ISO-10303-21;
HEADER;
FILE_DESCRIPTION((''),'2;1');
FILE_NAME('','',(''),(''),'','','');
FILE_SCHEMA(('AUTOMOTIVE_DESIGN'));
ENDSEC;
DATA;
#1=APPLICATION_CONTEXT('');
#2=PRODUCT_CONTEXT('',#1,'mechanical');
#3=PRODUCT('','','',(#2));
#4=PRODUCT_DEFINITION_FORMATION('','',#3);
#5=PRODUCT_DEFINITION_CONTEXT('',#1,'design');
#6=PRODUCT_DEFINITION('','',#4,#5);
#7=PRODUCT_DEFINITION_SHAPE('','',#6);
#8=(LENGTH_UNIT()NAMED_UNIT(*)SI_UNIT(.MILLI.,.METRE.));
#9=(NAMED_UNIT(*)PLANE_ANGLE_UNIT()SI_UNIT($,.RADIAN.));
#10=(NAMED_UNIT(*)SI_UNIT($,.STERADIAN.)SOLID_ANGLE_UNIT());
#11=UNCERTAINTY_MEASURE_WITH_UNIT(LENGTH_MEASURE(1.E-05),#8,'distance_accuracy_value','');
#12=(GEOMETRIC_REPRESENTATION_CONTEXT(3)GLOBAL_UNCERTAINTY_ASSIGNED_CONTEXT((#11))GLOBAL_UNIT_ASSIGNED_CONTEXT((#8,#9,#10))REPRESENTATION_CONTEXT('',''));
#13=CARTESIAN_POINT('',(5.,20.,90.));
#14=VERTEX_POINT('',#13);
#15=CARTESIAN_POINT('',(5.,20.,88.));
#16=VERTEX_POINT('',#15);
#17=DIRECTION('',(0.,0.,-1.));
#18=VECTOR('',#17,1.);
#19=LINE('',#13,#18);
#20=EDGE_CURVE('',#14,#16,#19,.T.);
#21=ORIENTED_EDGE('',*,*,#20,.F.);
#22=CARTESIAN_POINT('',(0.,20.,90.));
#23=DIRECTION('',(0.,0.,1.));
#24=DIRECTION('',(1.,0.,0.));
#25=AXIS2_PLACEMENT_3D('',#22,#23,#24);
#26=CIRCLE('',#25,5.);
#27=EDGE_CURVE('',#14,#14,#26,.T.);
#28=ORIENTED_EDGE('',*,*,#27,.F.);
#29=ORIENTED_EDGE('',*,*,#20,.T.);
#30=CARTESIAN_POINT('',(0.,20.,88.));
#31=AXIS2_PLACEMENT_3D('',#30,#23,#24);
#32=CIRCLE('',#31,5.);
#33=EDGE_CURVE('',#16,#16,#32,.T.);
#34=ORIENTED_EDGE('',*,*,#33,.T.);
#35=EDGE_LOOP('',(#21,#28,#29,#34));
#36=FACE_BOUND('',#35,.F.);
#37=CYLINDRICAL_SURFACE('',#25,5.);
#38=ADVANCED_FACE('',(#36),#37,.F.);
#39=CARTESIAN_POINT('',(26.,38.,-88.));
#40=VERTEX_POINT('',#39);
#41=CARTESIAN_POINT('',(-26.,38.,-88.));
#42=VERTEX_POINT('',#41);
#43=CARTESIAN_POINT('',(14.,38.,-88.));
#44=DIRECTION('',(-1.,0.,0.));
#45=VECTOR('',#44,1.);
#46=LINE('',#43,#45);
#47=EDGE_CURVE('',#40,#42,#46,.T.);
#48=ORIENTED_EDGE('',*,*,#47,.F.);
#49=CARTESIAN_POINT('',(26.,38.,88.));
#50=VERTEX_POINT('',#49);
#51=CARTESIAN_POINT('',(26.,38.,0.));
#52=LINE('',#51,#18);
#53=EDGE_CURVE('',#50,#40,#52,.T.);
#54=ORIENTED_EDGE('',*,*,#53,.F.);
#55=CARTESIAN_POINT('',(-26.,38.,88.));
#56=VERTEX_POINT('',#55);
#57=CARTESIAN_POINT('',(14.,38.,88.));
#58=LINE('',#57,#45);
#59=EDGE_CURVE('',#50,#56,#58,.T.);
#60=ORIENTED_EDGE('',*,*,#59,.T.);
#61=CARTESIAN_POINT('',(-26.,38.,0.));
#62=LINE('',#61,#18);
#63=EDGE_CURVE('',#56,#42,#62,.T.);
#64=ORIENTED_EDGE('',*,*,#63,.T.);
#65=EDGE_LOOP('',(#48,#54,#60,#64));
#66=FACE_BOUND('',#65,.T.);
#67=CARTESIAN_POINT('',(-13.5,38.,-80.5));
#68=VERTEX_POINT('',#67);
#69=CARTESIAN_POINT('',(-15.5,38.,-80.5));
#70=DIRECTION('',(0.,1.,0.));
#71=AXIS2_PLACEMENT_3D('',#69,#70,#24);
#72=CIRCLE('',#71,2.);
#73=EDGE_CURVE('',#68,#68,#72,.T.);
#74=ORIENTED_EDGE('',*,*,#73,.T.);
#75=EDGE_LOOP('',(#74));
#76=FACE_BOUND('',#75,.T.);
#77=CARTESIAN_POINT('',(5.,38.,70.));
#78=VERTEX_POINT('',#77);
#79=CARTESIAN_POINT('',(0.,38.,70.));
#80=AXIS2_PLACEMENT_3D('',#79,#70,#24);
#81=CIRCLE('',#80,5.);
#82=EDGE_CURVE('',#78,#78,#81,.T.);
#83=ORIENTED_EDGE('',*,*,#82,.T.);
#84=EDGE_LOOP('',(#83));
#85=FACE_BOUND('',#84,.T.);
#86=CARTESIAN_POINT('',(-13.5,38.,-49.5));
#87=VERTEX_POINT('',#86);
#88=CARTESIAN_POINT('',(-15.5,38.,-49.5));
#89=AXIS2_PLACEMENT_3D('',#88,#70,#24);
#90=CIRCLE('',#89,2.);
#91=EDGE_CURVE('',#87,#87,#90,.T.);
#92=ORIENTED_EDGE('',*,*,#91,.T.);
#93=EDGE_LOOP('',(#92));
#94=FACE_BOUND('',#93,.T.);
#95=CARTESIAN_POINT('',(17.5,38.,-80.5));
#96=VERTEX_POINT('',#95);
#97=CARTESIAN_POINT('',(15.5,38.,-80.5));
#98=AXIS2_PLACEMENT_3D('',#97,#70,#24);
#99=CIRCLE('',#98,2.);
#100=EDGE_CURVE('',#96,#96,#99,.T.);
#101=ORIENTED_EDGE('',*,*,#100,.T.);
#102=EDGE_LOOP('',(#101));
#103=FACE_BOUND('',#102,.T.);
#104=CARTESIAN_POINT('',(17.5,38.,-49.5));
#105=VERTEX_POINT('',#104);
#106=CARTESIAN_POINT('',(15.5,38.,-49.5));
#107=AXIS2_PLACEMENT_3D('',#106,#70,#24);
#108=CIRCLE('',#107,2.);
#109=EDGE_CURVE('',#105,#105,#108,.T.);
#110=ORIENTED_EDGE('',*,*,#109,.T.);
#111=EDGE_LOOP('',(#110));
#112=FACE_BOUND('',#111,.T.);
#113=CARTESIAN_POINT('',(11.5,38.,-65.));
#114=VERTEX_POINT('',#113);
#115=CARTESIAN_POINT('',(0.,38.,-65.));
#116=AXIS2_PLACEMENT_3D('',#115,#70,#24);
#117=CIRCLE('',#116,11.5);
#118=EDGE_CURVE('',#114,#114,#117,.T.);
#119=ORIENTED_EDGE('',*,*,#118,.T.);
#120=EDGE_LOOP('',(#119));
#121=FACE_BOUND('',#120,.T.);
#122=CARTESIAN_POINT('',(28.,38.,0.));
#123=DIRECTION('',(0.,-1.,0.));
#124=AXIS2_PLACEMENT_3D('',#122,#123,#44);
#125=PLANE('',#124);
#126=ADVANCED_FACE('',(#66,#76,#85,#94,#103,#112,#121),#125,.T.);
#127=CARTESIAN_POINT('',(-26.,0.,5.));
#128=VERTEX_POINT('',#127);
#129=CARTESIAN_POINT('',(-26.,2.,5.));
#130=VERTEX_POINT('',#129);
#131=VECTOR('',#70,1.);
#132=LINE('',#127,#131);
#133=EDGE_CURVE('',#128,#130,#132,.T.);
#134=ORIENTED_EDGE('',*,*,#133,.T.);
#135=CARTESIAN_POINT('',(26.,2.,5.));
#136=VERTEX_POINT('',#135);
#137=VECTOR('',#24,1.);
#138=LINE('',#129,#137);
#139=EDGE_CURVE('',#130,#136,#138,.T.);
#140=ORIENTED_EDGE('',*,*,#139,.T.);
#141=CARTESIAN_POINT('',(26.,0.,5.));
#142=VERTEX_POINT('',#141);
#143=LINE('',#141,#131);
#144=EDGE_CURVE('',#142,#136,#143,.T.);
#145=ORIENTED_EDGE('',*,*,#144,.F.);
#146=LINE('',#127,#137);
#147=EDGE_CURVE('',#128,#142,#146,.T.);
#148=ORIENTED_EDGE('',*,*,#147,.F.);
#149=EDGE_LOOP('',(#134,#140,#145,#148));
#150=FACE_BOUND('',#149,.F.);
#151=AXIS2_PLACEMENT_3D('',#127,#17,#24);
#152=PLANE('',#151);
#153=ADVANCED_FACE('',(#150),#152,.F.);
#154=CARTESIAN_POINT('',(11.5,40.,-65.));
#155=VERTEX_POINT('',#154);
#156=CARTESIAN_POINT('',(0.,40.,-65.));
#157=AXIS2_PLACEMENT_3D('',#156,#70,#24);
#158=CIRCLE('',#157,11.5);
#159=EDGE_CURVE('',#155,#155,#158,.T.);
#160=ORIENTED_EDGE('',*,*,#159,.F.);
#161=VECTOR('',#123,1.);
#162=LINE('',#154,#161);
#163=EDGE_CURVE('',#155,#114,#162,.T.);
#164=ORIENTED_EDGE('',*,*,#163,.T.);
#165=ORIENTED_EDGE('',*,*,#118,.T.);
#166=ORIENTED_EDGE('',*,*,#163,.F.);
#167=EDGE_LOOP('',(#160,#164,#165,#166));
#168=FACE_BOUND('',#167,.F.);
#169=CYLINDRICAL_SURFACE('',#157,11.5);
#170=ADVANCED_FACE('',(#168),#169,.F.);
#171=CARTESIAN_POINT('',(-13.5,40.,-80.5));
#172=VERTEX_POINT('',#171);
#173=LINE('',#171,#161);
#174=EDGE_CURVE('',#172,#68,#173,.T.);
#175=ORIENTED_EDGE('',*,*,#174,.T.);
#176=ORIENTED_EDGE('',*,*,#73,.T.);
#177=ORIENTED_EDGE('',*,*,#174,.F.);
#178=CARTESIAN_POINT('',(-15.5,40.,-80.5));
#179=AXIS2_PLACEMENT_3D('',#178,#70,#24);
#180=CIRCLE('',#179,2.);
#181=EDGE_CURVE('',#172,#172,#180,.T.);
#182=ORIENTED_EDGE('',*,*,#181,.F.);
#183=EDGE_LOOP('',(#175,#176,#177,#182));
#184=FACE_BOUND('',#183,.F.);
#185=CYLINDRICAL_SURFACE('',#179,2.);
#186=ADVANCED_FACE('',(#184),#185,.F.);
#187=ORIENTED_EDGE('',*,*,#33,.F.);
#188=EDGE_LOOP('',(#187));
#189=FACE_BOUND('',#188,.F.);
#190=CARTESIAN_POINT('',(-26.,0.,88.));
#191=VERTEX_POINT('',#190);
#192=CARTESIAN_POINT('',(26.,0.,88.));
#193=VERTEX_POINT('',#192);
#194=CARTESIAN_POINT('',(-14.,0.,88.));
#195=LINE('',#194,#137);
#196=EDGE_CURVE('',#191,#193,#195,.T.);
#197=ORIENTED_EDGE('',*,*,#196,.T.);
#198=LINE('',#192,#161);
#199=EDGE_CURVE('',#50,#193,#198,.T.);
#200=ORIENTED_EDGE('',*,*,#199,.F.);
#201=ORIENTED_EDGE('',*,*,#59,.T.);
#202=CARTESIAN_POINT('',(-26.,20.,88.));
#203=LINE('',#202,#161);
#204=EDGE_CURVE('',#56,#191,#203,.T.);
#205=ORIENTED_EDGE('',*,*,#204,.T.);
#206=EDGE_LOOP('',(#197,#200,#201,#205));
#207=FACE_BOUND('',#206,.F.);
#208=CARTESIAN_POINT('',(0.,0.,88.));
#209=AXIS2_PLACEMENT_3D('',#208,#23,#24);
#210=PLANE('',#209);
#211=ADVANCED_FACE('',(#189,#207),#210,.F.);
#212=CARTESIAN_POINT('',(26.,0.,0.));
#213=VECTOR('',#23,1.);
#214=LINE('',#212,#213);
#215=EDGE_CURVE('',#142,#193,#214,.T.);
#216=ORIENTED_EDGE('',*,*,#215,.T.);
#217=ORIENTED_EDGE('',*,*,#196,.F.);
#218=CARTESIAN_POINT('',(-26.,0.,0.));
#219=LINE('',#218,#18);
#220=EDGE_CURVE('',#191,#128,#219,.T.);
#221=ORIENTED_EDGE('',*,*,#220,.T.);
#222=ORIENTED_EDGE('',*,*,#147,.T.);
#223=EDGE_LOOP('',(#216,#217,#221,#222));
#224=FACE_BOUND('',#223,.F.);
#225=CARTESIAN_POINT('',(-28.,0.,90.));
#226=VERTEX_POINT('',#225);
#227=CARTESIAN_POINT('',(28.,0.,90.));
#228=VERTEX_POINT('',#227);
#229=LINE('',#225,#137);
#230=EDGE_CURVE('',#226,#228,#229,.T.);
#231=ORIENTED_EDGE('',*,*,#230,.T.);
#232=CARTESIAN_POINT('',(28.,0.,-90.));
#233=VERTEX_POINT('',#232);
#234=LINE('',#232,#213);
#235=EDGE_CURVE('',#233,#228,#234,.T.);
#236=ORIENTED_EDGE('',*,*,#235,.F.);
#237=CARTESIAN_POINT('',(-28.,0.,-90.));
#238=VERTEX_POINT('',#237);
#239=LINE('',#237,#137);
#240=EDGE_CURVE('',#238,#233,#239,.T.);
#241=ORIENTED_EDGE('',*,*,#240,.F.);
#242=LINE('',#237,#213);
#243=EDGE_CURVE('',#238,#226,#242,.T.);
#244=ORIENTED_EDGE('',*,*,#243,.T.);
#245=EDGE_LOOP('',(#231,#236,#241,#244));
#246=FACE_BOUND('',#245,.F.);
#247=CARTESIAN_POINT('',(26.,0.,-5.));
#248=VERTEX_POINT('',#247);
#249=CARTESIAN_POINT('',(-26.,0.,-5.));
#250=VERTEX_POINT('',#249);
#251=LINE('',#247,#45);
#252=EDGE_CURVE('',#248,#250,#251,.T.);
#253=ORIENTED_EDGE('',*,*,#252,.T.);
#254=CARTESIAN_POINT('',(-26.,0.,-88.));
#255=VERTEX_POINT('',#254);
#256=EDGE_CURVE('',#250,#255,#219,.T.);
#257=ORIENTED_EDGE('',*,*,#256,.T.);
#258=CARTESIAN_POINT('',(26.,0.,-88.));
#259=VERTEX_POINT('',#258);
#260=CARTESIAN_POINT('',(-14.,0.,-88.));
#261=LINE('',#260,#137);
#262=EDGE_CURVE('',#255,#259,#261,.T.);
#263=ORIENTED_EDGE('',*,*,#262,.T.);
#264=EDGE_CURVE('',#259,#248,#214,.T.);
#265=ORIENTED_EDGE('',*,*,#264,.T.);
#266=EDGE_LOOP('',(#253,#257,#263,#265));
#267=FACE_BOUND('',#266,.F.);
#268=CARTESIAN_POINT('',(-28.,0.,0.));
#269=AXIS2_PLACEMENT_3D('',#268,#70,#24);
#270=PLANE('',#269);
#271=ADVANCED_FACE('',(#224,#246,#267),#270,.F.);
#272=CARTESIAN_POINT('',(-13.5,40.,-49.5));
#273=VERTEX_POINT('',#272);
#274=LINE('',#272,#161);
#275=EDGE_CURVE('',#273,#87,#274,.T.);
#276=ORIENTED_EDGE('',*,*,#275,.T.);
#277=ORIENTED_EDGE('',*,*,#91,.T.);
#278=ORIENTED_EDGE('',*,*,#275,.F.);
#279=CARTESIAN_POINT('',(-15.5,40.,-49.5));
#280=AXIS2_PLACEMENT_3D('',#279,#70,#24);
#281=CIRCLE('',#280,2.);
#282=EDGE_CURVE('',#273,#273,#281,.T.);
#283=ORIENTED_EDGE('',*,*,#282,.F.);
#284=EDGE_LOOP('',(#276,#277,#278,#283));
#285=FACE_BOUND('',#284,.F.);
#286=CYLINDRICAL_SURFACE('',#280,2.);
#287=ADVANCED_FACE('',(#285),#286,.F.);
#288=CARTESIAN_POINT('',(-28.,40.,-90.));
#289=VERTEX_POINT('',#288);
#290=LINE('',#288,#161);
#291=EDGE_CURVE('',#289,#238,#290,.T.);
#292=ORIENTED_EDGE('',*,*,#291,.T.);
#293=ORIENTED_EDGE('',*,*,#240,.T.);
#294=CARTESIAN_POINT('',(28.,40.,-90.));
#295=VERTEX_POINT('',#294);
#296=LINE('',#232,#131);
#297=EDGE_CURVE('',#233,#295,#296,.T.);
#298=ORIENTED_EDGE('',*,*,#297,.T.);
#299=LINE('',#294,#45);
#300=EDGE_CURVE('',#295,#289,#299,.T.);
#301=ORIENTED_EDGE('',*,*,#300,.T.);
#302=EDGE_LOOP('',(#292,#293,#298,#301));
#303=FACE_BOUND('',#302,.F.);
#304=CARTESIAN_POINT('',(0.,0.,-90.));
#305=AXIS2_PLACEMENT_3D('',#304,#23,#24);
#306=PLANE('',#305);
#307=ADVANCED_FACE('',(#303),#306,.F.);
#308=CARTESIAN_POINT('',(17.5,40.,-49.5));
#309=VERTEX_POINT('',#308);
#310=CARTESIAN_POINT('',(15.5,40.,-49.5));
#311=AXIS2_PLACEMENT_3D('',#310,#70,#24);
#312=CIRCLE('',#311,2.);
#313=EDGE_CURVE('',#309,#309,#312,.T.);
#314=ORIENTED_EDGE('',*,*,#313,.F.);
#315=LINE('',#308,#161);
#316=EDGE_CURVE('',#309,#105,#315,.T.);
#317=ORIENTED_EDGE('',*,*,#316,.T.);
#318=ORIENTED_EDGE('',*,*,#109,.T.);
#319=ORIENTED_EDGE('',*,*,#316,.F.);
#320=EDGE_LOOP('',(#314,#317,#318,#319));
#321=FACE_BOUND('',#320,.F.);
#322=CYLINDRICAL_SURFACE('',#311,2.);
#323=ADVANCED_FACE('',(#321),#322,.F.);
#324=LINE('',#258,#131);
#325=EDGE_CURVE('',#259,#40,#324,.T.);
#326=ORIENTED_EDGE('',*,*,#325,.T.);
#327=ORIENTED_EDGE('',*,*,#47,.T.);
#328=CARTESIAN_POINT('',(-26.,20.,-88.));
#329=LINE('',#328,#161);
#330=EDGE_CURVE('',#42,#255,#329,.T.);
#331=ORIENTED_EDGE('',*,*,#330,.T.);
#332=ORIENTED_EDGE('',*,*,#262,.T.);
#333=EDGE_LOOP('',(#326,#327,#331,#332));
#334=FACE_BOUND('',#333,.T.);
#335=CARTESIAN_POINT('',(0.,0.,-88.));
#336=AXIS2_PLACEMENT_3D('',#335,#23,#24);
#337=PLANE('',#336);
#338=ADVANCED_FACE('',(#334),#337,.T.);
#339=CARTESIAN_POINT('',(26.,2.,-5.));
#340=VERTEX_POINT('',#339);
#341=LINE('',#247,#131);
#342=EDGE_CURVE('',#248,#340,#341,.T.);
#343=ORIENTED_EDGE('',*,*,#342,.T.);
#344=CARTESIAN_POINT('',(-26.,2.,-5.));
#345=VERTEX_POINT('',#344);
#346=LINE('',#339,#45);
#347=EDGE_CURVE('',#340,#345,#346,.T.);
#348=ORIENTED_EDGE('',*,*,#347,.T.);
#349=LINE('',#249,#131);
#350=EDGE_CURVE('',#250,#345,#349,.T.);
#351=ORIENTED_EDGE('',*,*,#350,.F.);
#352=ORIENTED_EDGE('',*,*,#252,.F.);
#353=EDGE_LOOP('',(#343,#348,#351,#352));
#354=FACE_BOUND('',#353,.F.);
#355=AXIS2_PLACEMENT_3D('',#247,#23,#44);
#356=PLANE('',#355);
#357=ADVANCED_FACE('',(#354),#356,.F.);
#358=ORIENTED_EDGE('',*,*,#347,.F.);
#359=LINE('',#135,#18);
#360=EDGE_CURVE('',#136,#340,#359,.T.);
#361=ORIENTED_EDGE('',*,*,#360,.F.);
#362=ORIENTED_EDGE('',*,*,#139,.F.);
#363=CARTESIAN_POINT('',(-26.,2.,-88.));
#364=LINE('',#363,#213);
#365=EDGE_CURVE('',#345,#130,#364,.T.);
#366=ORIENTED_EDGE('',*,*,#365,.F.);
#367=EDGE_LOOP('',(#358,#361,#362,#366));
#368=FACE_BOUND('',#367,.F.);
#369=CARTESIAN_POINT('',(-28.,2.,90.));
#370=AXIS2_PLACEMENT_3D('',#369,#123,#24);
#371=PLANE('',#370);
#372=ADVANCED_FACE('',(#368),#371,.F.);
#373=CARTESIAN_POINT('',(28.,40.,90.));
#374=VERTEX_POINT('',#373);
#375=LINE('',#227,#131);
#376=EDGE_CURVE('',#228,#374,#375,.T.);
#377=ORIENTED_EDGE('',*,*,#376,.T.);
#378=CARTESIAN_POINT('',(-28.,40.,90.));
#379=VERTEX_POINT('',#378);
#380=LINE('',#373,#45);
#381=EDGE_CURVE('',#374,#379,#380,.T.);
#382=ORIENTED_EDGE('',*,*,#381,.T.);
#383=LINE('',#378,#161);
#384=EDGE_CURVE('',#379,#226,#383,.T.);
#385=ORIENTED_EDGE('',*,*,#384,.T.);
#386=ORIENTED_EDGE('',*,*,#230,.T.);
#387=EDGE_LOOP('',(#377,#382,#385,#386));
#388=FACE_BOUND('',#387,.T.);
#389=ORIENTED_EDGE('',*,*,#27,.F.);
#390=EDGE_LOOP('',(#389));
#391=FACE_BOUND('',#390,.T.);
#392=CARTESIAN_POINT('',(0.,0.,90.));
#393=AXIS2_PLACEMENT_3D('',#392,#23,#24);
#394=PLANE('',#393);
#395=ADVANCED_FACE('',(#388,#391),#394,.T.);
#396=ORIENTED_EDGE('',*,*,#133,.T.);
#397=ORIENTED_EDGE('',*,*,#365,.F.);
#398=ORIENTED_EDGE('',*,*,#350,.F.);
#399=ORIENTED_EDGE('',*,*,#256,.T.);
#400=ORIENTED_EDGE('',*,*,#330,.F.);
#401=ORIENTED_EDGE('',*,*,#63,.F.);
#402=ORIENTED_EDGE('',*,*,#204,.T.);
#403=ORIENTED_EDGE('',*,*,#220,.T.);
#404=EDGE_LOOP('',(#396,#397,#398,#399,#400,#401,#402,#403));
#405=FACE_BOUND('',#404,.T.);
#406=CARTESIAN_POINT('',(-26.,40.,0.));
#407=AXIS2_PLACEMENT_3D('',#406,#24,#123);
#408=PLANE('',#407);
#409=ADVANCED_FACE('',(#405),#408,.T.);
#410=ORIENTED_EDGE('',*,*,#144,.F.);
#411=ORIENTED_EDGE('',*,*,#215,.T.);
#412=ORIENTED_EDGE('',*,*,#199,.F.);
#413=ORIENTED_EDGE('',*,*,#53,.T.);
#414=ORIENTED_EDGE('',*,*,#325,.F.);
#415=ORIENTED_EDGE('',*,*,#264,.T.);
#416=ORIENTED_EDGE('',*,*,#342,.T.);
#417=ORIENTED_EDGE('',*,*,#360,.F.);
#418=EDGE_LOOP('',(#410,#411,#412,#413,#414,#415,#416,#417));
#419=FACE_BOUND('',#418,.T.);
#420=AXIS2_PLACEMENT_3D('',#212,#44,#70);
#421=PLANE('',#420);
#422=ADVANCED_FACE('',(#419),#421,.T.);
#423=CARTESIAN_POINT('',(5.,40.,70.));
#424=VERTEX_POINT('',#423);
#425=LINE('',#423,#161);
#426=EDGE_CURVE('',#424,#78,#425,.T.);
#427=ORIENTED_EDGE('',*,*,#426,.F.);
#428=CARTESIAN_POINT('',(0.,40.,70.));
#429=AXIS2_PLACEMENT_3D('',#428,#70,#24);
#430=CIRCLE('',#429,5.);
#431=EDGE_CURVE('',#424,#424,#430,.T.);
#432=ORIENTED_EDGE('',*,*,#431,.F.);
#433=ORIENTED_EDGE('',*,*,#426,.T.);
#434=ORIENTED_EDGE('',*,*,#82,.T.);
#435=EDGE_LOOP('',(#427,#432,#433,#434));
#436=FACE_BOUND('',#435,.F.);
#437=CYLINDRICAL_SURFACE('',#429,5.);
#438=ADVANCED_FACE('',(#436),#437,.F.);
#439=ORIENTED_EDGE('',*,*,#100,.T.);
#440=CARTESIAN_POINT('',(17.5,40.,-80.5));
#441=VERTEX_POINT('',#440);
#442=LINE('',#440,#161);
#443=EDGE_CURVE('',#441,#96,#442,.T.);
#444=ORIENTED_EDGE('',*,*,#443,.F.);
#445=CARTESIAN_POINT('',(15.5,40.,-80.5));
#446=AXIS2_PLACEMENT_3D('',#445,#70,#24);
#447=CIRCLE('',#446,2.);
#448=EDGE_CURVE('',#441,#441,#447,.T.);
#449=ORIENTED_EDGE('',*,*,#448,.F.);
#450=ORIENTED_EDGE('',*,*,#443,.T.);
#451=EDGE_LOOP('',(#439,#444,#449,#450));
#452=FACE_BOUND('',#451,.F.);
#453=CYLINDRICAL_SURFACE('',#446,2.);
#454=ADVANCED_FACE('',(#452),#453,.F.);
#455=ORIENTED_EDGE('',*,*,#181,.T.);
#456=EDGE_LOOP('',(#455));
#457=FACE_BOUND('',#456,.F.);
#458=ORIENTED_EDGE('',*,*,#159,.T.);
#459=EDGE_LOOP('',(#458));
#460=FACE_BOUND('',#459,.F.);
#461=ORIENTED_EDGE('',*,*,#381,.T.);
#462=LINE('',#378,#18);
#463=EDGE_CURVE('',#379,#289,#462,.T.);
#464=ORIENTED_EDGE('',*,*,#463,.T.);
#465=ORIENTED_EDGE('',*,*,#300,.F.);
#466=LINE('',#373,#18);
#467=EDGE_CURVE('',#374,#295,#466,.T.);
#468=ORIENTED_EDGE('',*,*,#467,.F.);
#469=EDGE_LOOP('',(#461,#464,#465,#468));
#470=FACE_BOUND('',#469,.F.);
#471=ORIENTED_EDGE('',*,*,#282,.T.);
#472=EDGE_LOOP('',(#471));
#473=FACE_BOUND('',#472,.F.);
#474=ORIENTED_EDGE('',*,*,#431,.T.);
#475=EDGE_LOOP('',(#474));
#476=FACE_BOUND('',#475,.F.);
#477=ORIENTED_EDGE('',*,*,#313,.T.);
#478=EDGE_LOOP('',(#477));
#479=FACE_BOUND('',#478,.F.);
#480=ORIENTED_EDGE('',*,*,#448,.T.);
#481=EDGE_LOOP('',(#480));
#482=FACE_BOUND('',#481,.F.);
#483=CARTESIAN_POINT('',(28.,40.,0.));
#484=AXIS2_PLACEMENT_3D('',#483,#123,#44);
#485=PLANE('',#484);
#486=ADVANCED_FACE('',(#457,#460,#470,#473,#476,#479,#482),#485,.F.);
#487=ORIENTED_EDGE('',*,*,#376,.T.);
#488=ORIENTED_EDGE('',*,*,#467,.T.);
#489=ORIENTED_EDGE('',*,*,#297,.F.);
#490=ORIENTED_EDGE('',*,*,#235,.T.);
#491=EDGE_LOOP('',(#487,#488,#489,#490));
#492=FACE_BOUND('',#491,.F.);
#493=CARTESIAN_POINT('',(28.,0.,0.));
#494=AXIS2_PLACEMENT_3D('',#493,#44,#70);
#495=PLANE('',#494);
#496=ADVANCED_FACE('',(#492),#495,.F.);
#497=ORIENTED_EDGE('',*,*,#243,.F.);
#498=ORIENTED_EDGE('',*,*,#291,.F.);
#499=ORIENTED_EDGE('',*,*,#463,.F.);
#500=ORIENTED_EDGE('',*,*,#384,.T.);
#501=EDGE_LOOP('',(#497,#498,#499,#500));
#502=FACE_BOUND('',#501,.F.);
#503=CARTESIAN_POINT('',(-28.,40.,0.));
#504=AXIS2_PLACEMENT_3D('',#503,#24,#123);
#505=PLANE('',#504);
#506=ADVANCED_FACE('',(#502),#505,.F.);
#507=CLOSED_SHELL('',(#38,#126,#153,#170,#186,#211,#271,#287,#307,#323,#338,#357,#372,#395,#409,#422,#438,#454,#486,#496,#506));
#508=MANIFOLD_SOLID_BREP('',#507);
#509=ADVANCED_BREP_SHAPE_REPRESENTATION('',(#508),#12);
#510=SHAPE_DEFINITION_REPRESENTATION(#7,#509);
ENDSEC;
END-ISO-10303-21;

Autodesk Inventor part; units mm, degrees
ref_plane "YZ Plane" through (0, 0, 0) normal (1, 0, 0) x (0, 1, 0)
ref_plane "XZ Plane" through (0, 0, 0) normal (0, 1, 0) x (-1, 0, 0)
ref_plane "XY Plane" through (0, 0, 0) normal (0, 0, 1) x (1, 0, 0)
sketch "Sketch1" plane through (0, 0, 0) normal (0, 0, 1) x (1, 0, 0)
  line L0 (-28, 0) -> (28, 0)
  line L1 (28, 0) -> (28, 40)
  line L2 (28, 40) -> (-28, 40)
  line L3 (-28, 40) -> (-28, 0)
  point P0 (0, 0)
  point P1 (0, 0)
  dimension "d1" = 56
  dimension "d2" = 40
extrude "Extrusion1" add sketch "Sketch1" along normal mid plane 180
shell "Shell1" thickness 2 removed faces 1 at (-9.3333, 0, 30)
sketch "Sketch2" plane through (0, 0, 90) normal (0, 0, 1) x (1, 0, 0)
  circle A0 centre (0, 20) radius 5
  line L0 (-28, 0) -> (28, 0) construction
  line L1 (28, 0) -> (28, 40) construction
  point P0 (0, 0)
  point P1 (0, 0)
  point P2 (28, 20)
  dimension "d6" = 10
extrude "Extrusion2" cut sketch "Sketch2" against normal up to surface (2 mm away)
sketch "Sketch3" plane through (-28, 40, 90) normal (0, 1, 0) x (1, 0, 0)
  line L0 (56, 180) -> (56, 0) construction
  line L1 (56, 40) -> (0, 40) construction
  circle A0 centre (28, 155) radius 11.5
  circle A1 centre (12.5, 139.5) radius 2
  circle A2 centre (43.5, 170.5) radius 2
  circle A3 centre (12.5, 170.5) radius 2
  circle A4 centre (43.5, 139.5) radius 2
  line L2 (43.5, 139.5) -> (12.5, 139.5) construction
  line L3 (12.5, 139.5) -> (12.5, 170.5) construction
  line L4 (12.5, 170.5) -> (43.5, 170.5) construction
  line L5 (43.5, 170.5) -> (43.5, 139.5) construction
  line L6 (43.5, 139.5) -> (12.5, 170.5) construction
  line L7 (0, 0) -> (56, 0) construction
  line L8 (56, 0) -> (0, 40) construction
  line L9 (0, 180) -> (0, 0) construction
  circle A5 centre (28, 20) radius 5
  point P0 (28, 90)
  dimension "d9" = 40
  dimension "d10" = 4
  dimension "d11" = 23
  dimension "d12" = 115
  dimension "d13" = 31
  dimension "d16" = 10
extrude "Extrusion3" cut sketch "Sketch3" against normal up to surface (2 mm away)
sketch "Sketch4" plane through (-28, 0, 90) normal (0, -1, 0) x (1, 0, 0)
  line L0 (2, -178) -> (2, -2) projected
  line L1 (54, -95) -> (2, -95)
  line L2 (2, -95) -> (2, -85)
  line L3 (2, -85) -> (54, -85)
  line L4 (54, -85) -> (54, -95)
  line L5 (54, -95) -> (2, -85) construction
  line L6 (2, -95) -> (54, -85) construction
  point P0 (28, -90)
  dimension "d17" = 10
extrude "Extrusion4" add sketch "Sketch4" against normal blind 2
properties part number "Soporte_base"
